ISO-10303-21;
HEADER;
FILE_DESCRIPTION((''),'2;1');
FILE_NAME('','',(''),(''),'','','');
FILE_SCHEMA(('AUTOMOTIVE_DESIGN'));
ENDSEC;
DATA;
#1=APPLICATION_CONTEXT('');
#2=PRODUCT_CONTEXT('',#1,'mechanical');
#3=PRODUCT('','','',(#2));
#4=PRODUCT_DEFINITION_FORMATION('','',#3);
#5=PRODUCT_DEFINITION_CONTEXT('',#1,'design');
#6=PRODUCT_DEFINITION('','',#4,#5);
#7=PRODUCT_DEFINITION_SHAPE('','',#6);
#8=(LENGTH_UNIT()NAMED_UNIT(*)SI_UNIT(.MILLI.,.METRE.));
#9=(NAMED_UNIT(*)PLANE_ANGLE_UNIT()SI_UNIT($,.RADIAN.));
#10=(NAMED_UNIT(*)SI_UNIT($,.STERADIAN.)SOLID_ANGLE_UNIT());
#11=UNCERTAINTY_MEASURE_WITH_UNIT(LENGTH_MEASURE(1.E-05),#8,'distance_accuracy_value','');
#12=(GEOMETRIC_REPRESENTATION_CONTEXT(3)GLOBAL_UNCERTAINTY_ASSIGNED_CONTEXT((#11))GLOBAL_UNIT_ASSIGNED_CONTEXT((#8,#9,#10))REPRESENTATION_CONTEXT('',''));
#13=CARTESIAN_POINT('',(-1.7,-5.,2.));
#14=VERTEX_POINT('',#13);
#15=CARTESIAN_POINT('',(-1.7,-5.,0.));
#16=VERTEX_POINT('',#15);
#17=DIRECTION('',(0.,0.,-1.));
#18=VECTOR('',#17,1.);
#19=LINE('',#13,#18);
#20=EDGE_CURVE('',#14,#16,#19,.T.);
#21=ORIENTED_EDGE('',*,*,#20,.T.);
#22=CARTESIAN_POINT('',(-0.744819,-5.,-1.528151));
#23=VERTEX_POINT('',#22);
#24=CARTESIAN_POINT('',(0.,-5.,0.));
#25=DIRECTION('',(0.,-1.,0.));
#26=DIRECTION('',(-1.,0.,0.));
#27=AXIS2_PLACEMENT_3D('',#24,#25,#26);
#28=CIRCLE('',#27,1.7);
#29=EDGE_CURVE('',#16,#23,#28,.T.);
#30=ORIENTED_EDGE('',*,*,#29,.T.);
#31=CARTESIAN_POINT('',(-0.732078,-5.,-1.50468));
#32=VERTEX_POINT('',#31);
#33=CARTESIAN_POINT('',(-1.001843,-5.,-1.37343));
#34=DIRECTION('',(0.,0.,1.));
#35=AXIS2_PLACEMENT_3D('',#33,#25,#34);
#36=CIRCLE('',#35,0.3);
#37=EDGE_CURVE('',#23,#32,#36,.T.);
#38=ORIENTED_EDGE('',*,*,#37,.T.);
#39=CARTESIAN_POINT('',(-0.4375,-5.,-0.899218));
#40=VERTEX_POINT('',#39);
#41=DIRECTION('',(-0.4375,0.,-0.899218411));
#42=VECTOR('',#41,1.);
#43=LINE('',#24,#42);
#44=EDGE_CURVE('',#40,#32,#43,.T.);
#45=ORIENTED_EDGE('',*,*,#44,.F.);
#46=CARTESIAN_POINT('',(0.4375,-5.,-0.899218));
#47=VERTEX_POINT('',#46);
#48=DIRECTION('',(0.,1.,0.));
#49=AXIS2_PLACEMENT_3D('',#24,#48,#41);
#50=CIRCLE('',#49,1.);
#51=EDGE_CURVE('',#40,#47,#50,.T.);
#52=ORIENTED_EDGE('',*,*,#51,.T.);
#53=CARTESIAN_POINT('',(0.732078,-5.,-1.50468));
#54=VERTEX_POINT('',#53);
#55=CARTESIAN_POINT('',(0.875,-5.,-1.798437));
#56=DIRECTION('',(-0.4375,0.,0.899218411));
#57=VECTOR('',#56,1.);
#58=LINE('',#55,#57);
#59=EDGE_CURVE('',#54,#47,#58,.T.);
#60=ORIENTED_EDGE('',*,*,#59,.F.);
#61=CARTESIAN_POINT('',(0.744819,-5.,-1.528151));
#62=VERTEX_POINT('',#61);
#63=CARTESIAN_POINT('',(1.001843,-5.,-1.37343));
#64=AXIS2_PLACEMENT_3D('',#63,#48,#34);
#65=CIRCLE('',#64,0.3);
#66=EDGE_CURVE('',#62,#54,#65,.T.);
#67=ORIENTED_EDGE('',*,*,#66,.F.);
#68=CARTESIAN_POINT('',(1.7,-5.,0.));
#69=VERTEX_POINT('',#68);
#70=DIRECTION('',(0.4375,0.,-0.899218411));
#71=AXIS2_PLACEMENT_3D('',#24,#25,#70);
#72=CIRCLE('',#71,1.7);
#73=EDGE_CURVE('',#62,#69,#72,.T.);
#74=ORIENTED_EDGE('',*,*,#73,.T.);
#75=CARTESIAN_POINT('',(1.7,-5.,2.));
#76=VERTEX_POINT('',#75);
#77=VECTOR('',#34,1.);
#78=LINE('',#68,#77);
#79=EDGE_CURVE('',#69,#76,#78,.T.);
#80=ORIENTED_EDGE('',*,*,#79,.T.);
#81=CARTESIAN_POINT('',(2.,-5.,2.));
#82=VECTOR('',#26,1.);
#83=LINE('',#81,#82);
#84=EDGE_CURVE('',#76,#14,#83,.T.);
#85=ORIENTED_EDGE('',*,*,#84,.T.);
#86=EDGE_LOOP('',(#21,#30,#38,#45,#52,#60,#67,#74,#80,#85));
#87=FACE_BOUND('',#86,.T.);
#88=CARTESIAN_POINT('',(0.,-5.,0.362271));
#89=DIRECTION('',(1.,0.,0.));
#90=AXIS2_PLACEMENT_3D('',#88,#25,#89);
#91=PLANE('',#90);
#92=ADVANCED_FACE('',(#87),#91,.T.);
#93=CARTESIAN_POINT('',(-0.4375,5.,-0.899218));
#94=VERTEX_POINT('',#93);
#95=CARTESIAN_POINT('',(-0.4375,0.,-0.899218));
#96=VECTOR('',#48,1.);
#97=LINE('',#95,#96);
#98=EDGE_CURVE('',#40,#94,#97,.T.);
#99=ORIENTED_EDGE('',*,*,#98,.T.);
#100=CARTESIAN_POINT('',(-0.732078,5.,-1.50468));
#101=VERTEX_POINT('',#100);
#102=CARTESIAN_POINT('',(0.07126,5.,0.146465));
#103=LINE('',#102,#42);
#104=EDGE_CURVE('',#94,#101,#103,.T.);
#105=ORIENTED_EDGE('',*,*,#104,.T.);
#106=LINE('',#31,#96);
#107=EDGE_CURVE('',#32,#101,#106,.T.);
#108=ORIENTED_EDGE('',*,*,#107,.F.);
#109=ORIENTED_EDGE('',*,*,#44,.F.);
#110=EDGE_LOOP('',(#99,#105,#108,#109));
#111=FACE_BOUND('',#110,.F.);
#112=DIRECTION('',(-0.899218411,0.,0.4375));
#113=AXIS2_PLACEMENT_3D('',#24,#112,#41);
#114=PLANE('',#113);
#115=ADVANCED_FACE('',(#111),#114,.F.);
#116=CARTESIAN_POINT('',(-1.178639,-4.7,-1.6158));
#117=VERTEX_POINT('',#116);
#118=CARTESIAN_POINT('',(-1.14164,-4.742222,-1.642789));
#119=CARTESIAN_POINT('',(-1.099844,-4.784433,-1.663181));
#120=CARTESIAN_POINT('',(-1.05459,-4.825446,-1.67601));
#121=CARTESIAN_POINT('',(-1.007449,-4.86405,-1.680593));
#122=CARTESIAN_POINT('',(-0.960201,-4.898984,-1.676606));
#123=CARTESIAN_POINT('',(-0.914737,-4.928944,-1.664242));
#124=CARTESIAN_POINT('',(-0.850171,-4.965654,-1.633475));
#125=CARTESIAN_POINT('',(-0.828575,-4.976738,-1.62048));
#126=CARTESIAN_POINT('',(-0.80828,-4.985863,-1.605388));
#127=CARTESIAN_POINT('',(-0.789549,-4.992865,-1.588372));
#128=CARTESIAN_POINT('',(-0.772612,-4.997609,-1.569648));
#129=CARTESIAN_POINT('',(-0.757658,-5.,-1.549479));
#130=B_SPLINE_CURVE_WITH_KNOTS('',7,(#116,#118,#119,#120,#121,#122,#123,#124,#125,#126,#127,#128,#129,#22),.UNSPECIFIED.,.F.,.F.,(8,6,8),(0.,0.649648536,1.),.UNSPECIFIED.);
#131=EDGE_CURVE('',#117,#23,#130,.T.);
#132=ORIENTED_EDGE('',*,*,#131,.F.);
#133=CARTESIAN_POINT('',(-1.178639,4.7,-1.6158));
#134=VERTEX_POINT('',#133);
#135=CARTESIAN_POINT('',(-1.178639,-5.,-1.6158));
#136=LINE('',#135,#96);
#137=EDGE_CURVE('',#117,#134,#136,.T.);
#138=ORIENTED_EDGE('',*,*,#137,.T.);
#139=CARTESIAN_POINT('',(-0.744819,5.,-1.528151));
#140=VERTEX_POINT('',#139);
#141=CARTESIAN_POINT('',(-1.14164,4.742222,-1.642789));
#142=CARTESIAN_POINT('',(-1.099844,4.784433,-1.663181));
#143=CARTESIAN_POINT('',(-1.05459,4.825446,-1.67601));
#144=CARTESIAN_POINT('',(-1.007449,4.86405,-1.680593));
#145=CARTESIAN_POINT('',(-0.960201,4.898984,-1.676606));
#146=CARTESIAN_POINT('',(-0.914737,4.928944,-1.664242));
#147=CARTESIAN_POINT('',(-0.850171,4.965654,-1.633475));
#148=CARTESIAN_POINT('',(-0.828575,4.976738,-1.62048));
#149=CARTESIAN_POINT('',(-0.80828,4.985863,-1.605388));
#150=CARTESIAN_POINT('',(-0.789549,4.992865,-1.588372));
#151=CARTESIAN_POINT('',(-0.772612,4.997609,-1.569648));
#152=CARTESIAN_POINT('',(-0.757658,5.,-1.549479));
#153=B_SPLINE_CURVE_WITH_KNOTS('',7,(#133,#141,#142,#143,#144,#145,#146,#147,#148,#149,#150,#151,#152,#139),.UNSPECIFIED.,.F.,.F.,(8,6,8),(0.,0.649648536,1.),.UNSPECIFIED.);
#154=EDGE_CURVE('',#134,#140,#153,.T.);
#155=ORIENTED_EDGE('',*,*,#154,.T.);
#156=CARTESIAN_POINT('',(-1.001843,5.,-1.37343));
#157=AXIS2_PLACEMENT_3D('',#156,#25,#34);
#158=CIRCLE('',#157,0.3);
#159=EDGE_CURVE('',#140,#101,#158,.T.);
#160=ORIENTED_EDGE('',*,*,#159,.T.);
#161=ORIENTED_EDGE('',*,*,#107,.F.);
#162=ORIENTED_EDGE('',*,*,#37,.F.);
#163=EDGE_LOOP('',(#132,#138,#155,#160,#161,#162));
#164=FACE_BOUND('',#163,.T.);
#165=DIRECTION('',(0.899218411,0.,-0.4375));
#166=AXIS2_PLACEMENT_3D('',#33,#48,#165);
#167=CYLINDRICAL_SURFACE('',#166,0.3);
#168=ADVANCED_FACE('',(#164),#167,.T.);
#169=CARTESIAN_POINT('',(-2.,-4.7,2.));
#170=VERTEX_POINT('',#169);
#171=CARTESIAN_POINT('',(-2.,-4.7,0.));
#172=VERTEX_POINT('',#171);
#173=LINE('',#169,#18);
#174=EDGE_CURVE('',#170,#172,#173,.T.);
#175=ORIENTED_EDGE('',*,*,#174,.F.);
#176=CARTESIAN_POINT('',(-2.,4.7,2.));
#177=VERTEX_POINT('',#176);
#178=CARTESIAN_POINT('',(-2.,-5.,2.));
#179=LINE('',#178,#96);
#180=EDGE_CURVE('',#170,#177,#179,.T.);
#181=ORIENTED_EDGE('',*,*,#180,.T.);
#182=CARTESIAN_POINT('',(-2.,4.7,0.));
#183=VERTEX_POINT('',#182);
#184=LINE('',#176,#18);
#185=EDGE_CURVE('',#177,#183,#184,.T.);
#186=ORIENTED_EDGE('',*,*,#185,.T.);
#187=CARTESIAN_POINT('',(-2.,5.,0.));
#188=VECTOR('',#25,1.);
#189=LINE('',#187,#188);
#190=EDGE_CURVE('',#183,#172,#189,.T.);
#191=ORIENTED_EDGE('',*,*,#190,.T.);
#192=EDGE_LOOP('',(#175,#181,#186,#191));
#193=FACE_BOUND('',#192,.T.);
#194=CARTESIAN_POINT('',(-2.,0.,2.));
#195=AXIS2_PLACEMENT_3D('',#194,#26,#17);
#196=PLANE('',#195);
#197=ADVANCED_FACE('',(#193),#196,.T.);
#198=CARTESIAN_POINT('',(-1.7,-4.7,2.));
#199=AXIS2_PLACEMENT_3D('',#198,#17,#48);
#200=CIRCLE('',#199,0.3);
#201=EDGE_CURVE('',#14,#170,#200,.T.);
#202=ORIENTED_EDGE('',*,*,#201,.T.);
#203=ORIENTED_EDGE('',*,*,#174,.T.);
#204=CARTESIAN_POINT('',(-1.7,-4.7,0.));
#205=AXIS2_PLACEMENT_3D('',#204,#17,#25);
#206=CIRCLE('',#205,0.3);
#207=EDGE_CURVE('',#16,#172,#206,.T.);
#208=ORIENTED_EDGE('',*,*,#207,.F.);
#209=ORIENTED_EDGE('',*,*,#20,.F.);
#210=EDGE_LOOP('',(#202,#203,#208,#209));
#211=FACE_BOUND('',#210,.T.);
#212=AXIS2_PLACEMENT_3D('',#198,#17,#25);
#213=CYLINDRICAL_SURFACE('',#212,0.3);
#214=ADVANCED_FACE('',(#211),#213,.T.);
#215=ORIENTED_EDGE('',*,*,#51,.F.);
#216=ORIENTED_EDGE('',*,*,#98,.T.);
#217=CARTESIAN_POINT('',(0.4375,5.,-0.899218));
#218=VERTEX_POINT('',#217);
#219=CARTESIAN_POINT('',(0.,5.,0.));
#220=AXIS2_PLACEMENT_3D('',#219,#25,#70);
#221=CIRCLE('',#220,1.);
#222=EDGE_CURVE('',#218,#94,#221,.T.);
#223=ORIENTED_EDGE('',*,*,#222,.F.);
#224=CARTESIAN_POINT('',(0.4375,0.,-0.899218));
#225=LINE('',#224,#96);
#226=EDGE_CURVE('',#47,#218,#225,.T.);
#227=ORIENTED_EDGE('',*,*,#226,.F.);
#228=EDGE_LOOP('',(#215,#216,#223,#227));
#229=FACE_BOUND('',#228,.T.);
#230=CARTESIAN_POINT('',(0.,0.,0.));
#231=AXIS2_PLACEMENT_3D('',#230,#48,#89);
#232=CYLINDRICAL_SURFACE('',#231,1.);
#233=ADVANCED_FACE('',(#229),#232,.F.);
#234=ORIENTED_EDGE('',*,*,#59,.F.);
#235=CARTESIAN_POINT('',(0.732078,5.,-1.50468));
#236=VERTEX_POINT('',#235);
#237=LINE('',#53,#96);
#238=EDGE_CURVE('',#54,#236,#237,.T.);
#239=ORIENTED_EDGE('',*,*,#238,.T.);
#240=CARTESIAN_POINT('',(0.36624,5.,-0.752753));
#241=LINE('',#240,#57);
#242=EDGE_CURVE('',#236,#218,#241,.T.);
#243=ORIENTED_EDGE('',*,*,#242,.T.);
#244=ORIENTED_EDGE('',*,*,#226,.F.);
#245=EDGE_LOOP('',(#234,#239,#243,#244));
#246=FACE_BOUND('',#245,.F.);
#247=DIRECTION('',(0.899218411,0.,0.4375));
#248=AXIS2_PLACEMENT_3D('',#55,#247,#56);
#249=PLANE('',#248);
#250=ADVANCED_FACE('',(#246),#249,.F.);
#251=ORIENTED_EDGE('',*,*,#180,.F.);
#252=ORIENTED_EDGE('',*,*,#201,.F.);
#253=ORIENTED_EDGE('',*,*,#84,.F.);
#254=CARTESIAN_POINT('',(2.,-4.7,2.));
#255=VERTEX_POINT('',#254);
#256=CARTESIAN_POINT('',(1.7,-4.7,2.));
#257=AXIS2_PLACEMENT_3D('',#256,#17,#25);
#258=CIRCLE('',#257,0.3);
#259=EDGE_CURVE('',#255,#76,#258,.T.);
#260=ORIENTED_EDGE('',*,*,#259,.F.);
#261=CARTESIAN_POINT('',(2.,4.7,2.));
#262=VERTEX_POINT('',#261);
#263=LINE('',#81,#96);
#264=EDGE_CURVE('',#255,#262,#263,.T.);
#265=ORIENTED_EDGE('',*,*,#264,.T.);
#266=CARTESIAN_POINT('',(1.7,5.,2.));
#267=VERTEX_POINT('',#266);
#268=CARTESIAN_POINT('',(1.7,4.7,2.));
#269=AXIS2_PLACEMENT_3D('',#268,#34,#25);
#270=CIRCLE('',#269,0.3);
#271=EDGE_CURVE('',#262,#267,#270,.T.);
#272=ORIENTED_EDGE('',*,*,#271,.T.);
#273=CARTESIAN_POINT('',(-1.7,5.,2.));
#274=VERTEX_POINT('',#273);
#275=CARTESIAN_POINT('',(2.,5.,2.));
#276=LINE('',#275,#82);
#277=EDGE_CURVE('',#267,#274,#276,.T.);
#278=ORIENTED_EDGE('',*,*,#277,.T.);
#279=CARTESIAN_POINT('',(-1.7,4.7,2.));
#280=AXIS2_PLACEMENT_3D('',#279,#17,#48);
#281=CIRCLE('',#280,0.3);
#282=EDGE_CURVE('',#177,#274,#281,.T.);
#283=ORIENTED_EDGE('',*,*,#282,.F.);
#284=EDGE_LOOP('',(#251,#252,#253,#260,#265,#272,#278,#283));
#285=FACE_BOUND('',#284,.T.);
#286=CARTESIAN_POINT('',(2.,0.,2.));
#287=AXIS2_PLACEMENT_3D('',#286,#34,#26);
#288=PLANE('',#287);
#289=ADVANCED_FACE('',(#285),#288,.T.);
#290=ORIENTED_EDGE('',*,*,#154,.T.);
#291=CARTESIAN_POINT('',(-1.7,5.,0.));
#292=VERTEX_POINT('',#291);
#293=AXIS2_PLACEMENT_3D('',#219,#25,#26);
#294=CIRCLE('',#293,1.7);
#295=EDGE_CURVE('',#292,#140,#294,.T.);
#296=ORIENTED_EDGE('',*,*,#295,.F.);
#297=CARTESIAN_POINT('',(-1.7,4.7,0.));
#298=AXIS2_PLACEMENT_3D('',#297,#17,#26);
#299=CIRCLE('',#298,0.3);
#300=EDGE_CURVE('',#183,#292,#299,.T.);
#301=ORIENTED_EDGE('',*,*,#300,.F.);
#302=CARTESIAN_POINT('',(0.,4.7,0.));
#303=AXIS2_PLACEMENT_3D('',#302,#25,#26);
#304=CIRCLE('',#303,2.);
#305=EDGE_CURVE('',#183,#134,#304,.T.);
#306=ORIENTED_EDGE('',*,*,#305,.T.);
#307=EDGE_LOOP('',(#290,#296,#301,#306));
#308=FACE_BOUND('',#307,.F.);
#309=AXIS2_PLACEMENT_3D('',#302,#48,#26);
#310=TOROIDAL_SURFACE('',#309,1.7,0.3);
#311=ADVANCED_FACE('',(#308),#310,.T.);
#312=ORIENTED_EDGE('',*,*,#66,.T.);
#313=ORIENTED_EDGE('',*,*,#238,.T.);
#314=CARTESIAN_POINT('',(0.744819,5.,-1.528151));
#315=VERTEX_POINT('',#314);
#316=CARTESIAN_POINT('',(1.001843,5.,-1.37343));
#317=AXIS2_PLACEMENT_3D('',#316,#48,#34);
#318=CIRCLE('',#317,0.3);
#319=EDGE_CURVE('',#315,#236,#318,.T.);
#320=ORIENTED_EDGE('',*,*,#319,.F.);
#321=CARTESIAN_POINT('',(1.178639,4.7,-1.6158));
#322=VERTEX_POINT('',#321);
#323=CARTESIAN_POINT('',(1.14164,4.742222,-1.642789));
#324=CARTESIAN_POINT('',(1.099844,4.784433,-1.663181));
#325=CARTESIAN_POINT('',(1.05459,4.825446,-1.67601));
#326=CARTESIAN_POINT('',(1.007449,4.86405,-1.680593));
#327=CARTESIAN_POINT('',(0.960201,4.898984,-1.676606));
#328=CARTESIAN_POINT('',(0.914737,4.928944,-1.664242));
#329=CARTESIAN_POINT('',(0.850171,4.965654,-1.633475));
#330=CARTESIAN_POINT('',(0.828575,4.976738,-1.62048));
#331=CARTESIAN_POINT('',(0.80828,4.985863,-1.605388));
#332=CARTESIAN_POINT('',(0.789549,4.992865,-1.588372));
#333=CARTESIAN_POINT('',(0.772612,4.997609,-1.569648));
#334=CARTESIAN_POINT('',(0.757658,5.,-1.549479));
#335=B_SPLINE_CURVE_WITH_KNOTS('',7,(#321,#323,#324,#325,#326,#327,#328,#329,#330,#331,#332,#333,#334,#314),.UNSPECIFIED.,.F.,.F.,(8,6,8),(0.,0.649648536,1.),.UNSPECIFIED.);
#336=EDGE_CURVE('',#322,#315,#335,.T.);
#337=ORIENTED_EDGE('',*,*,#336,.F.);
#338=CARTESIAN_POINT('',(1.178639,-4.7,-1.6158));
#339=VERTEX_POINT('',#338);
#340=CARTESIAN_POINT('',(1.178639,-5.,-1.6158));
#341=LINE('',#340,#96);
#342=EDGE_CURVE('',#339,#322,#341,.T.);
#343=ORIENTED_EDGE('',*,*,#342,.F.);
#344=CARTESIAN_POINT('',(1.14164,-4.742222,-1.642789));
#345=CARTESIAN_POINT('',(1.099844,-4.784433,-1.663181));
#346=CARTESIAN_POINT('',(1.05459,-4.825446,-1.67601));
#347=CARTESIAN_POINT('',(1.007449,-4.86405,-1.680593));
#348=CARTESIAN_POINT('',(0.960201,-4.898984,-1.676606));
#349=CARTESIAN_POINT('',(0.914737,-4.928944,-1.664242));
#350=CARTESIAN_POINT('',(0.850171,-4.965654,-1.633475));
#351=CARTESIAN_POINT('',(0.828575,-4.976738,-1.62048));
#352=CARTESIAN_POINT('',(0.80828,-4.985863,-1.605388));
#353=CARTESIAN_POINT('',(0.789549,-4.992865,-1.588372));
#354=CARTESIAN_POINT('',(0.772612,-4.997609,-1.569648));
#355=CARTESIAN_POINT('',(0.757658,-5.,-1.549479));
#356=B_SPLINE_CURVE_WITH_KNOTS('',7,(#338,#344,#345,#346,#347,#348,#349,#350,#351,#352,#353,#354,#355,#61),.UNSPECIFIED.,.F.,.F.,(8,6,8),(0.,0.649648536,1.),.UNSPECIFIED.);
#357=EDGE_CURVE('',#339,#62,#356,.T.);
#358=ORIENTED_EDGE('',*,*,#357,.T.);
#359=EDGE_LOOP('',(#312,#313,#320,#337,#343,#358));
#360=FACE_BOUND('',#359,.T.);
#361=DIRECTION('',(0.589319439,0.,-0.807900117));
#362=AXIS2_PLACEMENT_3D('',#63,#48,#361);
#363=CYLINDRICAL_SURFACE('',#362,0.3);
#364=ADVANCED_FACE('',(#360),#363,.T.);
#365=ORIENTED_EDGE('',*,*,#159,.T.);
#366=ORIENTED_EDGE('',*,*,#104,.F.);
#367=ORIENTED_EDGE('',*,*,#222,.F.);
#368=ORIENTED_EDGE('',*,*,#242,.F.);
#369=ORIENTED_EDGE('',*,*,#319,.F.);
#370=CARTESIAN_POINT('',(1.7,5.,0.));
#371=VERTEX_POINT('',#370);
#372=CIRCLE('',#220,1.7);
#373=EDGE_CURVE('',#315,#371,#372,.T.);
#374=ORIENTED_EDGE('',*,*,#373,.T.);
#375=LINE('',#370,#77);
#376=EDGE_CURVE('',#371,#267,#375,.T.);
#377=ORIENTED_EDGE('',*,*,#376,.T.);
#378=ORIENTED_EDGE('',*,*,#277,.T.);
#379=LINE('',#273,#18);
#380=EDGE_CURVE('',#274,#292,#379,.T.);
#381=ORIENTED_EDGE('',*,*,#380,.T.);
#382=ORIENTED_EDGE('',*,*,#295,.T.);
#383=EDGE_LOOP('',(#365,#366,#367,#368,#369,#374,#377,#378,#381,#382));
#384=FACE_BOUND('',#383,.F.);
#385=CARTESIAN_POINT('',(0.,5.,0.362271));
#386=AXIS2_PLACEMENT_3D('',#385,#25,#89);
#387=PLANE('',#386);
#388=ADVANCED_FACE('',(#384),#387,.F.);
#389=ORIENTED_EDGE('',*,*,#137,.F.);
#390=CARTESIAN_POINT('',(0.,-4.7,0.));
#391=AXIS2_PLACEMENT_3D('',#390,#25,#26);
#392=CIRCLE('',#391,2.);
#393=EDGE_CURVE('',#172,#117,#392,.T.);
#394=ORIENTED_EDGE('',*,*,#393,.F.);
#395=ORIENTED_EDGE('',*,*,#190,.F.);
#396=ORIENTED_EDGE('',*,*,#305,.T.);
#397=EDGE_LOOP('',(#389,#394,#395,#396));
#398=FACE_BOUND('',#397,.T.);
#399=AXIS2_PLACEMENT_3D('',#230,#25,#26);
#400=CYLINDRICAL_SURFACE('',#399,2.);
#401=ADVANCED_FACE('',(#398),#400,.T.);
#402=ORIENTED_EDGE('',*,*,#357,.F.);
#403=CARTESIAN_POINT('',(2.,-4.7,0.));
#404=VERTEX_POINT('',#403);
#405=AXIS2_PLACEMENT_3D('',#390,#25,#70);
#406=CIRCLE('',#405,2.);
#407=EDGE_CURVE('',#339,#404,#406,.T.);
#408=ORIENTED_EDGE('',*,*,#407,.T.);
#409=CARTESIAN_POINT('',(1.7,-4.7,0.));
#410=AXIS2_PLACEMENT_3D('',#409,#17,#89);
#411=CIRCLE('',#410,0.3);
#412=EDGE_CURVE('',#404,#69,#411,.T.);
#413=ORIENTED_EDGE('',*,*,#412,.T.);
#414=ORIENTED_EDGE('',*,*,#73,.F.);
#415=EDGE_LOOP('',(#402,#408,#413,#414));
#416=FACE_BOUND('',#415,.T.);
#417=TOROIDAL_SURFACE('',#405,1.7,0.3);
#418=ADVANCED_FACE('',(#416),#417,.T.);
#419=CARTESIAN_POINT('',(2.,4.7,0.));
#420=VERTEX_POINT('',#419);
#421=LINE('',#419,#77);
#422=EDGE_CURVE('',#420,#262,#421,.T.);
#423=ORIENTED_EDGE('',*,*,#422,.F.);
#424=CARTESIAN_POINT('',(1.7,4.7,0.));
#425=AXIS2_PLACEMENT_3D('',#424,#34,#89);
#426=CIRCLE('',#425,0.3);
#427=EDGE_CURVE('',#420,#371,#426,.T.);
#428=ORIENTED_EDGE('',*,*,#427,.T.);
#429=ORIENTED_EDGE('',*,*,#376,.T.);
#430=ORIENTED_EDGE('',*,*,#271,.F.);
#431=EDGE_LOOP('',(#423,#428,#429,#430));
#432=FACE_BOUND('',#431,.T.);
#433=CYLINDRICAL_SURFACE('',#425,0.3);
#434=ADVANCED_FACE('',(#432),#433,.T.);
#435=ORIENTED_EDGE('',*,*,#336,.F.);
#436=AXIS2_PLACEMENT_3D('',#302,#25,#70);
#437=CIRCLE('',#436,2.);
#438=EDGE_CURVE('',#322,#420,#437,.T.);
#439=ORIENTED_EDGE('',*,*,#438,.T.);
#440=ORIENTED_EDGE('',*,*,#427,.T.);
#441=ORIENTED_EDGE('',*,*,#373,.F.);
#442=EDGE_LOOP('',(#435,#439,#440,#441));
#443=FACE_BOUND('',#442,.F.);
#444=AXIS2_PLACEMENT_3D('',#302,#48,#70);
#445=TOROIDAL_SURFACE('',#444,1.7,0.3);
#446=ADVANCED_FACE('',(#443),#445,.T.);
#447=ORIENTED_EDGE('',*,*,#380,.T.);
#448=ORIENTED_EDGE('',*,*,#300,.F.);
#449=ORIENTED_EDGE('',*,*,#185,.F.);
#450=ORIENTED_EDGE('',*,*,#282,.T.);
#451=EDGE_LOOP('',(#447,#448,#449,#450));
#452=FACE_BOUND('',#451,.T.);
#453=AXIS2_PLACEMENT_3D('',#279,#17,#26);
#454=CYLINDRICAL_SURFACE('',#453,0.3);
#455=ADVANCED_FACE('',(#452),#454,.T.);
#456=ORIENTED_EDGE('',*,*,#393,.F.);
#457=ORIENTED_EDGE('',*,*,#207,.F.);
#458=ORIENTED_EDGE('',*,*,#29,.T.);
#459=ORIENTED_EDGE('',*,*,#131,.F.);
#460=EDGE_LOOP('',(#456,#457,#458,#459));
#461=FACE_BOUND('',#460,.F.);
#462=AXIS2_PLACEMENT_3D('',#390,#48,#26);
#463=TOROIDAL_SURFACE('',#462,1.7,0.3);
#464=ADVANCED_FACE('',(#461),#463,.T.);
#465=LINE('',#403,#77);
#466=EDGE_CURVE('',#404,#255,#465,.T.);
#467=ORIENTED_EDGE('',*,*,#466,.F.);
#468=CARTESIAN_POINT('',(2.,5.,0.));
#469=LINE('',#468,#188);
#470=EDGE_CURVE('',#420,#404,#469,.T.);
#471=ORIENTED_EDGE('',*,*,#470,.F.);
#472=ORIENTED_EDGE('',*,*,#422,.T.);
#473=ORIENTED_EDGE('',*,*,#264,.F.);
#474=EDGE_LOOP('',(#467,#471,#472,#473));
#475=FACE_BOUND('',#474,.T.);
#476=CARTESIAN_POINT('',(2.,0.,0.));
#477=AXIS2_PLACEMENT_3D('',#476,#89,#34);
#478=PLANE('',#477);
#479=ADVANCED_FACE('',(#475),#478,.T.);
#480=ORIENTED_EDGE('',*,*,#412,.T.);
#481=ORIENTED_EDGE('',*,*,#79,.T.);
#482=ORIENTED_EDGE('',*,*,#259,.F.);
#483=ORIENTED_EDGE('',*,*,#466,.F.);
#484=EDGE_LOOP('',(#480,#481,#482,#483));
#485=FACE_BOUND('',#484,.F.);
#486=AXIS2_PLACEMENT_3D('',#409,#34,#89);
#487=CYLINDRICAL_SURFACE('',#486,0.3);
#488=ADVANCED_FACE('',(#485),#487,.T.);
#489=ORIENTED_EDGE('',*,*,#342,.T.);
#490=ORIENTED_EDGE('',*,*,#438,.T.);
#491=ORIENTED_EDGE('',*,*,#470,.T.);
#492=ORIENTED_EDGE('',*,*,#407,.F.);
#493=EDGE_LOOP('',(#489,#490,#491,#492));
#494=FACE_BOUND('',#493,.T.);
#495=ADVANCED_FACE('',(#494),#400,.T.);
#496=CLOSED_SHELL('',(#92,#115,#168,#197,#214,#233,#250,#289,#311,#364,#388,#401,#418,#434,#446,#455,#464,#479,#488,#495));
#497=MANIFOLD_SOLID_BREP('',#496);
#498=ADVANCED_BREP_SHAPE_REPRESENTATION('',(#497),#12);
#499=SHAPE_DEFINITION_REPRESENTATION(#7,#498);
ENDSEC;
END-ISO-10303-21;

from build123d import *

# Parameters (mm, degrees)
F0_R     = 1
F1_DEPTH = 5
F3_DEPTH = 10.001
F4_R     = 0.3


with BuildPart() as f1:
    # F0 (on Front) → F1 (new body, symmetric)
    with BuildSketch(Plane.XZ):
        with BuildLine():
            Line((-2, 2), (-2, 0))
            ThreePointArc((-2, 0), (0, -2), (2, 0))
            Line((2, 0), (2, 2))
            Line((2, 2), (0, 2))
            Line((0, 2), (-2, 2))
        make_face()
        Circle(F0_R, mode=Mode.SUBTRACT)
    extrude(amount=F1_DEPTH, both=True)

    # F2 (on face) → F3 (cut, through all)
    with BuildSketch(Plane.XZ.offset(5)):
        with BuildLine():
            Line((0.875, -1.7984368212), (0, 0))
            Line((0, 0), (-0.875, -1.7984368212))
            ThreePointArc((-0.875, -1.7984368212), (0, -2), (0.875, -1.7984368212))
        make_face()
    extrude(amount=-F3_DEPTH, mode=Mode.SUBTRACT)

    # F4
    f4_edges = [f1.edges().sort_by_distance(p)[0] for p in [
        (-0.875, 0, -1.798437),
        (0.875, 0, -1.798437),
        (-1.695582, -5, -1.06066),
        (-2, -5, 1),
        (1.695582, -5, -1.06066),
        (1.695582, 5, -1.06066),
        (2, 5, 1),
        (-1.695582, 5, -1.06066),
        (-2, 5, 1),
    ]]
    fillet(f4_edges, radius=F4_R)


solid = f1.part
